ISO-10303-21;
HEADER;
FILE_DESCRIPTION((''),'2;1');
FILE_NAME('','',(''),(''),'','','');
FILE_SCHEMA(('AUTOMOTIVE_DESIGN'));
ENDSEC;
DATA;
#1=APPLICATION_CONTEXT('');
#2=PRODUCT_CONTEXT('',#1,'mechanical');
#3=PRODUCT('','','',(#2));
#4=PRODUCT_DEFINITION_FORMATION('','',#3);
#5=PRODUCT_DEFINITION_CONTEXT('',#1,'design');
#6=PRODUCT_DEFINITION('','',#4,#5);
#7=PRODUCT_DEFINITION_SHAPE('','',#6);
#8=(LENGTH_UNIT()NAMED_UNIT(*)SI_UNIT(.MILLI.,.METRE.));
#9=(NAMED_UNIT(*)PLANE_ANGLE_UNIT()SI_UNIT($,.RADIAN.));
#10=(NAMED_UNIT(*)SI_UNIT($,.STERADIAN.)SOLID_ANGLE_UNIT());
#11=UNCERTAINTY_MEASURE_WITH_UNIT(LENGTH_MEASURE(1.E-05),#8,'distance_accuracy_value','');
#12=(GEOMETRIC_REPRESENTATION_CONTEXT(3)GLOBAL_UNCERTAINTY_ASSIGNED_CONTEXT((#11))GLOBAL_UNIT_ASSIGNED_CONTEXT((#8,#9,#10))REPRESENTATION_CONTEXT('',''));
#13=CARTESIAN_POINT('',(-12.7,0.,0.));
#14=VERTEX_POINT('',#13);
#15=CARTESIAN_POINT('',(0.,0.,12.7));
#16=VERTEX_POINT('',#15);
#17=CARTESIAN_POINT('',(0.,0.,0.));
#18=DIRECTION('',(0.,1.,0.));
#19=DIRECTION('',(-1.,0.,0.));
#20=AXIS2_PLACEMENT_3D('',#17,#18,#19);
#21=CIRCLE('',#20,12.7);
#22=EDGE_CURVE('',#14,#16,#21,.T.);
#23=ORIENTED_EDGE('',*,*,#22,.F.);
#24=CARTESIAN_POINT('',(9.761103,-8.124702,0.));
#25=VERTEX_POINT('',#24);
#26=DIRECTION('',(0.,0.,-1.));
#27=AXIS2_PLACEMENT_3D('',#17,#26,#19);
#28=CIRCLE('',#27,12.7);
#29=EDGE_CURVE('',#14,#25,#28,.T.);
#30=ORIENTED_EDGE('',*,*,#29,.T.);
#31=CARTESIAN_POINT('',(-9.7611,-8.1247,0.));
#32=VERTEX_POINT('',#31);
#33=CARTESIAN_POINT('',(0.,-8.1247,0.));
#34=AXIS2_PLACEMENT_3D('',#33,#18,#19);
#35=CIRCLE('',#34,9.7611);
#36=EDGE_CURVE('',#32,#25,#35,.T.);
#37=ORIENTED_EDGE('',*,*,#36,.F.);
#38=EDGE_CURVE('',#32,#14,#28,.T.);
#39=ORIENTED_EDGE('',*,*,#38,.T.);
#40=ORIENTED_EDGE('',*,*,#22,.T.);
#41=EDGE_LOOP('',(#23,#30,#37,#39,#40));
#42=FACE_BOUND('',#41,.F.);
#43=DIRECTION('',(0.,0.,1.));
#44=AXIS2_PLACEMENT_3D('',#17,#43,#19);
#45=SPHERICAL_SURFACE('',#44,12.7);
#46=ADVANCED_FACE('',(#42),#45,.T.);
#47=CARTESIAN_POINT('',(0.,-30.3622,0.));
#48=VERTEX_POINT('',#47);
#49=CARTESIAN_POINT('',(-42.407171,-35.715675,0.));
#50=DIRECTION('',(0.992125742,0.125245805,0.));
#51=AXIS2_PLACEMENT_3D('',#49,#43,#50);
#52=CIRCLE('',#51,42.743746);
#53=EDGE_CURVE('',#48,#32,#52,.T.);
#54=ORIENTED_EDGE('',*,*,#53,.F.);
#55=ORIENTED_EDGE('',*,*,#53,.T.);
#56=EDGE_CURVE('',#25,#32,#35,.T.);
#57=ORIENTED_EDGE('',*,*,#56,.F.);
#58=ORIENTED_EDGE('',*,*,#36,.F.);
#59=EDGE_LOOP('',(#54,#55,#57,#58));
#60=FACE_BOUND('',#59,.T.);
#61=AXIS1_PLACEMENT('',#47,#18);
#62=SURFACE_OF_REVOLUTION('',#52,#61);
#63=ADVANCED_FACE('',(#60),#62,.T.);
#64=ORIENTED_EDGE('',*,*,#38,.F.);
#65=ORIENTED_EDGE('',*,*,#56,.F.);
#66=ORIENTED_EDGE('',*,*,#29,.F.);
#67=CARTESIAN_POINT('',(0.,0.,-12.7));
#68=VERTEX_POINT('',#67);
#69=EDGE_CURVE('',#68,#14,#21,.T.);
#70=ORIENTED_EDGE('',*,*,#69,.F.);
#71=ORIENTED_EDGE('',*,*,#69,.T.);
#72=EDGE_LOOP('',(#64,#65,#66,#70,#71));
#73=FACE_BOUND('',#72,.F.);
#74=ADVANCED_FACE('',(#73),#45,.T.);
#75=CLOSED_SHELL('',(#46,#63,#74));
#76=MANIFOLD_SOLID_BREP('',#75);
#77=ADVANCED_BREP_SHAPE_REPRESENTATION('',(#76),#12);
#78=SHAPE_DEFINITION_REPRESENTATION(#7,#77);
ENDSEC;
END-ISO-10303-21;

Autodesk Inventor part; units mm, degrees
ref_plane "YZ Plane" through (0, 0, 0) normal (1, 0, 0) x (0, 1, 0)
ref_plane "XZ Plane" through (0, 0, 0) normal (0, 1, 0) x (-1, 0, 0)
ref_plane "XY Plane" through (0, 0, 0) normal (0, 0, 1) x (1, 0, 0)
sketch "Sketch1" plane through (0, 0, 0) normal (0, 1, 0) x (-1, 0, 0)
  circle A0 centre (0, 0) radius 12.7
  line L0 (0, 12.7) -> (0, -12.7)
  dimension "d0" = 25.4
revolve "Revolution1" add sketch "Sketch1" angle 360 about axis through (0, 0, 12.7) along (0, 0, -1) picked at (2.6394, 3.3098) contours A0 L0
sketch "Sketch2" plane through (0, 0, 0) normal (0, 0, 1) x (1, 0, 0)
  circle A0 centre (0, 0) radius 12.7 projected
  arc A1 (0, -30.3622) -> (-9.7611, -8.1247) centre (-42.4069, -35.7156) ccw
  line L0 (0, -30.3622) -> (0, 0)
  point P0 (0, -12.7)
  point P1 (-9.6663, -8.2373)
revolve "Revolution2" add sketch "Sketch2" angle 360 about axis through (0, -30.3622, 0) along (0, 1, 0) contours A0 L0 A1
properties part number "Marker"
